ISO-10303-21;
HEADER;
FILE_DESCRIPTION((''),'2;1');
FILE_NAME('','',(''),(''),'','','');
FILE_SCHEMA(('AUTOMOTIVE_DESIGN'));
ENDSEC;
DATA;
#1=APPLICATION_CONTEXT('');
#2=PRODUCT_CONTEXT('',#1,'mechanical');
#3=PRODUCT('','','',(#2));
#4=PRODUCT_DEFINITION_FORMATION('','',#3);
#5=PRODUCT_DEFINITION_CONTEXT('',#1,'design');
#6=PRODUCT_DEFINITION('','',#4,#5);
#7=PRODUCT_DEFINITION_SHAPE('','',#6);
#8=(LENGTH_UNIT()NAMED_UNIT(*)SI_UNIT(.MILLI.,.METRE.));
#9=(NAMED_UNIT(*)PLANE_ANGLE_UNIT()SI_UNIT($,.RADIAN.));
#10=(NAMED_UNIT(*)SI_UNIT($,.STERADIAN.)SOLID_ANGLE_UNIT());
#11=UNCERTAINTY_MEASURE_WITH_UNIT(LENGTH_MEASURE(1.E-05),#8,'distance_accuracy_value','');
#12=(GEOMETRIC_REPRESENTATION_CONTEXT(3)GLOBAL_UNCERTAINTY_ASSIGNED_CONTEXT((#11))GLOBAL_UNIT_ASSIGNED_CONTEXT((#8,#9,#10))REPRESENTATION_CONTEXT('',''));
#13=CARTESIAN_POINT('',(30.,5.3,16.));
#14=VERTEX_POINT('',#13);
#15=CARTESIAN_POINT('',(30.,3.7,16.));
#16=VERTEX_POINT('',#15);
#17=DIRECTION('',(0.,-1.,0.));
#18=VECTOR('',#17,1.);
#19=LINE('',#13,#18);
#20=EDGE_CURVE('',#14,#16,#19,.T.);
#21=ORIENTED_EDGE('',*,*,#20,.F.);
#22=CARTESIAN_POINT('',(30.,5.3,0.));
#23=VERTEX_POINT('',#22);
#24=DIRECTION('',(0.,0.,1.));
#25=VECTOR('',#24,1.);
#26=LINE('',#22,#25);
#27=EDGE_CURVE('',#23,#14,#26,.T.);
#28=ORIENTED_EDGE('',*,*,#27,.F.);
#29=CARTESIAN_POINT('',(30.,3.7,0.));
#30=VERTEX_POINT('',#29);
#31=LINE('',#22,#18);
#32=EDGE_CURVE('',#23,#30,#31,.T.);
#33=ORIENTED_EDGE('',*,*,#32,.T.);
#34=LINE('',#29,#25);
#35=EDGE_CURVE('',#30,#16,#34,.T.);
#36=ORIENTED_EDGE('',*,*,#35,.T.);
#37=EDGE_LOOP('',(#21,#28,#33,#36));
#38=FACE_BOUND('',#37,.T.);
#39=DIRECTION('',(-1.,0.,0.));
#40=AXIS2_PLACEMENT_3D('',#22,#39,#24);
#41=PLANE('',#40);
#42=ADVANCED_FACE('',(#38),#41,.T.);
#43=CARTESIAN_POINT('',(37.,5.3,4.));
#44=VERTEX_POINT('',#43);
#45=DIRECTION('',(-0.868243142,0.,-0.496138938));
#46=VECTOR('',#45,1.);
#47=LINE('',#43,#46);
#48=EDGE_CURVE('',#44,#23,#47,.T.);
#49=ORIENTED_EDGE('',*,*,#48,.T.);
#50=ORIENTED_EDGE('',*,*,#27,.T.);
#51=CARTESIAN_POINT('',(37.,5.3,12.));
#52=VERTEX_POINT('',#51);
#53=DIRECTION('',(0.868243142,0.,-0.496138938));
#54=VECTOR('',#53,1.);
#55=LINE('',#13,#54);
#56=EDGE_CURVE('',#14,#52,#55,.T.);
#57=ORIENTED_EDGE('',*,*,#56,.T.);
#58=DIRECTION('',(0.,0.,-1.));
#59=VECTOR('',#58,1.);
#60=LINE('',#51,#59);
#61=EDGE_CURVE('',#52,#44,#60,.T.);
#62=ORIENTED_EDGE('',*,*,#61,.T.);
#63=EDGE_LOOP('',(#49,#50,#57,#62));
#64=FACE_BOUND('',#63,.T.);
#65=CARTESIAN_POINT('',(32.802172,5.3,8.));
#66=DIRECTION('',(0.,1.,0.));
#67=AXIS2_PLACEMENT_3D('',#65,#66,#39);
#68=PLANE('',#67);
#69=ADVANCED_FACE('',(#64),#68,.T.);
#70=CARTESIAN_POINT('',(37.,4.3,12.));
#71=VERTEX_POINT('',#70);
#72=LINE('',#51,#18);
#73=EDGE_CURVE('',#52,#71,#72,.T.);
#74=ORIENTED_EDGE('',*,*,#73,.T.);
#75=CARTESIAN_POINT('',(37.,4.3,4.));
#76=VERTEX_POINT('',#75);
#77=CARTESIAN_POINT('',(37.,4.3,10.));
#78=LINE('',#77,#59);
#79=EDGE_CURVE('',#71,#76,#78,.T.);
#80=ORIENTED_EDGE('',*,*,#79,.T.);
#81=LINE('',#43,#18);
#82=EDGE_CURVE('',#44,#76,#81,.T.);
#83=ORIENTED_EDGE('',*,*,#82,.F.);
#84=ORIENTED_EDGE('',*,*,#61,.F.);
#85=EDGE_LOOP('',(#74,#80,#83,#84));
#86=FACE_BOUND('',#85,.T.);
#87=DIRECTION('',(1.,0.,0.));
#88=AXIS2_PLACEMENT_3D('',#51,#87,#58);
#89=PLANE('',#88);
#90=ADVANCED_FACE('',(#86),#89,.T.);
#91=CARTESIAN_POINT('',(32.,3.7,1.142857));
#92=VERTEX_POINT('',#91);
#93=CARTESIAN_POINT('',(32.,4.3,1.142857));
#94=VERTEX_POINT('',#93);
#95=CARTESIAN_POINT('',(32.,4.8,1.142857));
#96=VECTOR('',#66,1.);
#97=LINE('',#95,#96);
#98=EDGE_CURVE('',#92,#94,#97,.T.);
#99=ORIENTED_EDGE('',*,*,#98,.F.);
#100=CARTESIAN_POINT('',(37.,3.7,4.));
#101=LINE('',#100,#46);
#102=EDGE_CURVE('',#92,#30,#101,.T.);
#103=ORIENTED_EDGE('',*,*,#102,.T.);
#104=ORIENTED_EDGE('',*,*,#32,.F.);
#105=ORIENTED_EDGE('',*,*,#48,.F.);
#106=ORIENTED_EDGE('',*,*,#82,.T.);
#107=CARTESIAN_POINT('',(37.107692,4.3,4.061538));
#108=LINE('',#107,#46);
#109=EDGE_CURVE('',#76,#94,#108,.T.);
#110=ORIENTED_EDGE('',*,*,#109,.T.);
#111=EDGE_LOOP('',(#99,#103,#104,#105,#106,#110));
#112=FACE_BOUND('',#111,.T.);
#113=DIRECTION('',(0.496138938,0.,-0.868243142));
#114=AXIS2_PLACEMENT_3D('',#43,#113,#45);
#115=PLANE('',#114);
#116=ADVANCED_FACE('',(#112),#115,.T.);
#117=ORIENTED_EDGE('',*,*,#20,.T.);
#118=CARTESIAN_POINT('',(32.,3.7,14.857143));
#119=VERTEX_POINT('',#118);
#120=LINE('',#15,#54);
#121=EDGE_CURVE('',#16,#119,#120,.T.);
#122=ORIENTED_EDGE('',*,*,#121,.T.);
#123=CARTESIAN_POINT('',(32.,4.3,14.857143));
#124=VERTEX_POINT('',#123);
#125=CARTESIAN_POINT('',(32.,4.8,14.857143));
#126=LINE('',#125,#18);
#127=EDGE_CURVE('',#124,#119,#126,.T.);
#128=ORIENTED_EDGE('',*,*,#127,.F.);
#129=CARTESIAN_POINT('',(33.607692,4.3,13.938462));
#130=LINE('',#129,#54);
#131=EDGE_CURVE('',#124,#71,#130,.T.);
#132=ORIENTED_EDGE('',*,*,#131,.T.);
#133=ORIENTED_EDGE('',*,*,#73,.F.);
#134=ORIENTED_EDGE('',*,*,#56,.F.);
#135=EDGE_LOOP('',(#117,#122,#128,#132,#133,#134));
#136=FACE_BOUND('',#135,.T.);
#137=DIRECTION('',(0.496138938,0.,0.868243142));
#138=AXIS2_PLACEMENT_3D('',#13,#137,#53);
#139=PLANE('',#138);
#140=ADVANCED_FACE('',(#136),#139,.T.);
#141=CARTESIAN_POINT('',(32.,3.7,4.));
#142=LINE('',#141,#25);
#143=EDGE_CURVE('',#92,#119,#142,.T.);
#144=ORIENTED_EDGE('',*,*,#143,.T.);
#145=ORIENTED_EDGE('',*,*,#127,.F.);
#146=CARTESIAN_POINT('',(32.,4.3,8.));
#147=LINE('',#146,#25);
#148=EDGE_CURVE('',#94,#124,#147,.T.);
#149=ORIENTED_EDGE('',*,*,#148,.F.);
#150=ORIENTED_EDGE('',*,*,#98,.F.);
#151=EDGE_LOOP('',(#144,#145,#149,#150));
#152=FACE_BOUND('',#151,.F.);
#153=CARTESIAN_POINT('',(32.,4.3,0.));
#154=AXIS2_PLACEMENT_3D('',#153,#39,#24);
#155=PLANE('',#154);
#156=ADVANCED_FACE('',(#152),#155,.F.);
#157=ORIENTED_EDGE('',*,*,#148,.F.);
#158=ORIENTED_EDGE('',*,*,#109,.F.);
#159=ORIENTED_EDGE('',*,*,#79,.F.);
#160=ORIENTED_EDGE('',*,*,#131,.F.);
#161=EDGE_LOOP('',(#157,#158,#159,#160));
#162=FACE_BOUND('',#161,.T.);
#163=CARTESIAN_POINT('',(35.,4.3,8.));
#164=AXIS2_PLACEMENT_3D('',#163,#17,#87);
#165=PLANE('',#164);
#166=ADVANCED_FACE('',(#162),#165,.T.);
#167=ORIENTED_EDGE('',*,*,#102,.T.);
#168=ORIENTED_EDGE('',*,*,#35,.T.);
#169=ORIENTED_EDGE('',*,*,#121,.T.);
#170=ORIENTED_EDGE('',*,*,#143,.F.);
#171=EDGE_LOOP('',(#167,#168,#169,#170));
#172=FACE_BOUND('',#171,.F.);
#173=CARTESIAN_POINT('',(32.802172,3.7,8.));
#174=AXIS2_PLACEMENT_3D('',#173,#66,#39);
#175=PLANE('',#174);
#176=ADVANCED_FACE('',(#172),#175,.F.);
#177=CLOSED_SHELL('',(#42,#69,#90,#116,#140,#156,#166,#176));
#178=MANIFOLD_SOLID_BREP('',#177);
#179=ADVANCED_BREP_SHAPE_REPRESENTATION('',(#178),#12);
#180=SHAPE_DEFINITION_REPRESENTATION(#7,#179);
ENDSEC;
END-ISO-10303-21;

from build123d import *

# Parameters (mm, degrees)
SKETCH055_W      = 6
SKETCH055_H      = 16
EXTRUDE052_DEPTH = 1.6
EXTRUDE057_DEPTH = 1.6


with BuildPart() as extrude052:
    # Sketch055 → Extrude052 (new body)
    with BuildSketch(Plane.XZ.offset(-4.3)):
        with Locations((35, 12)):
            Rectangle(SKETCH055_W, SKETCH055_H)
    extrude(amount=EXTRUDE052_DEPTH)


with BuildPart() as switch_protector001:
    # Sketch054 → Extrude057 (new body)
    with BuildSketch(Plane.XZ.offset(-5.3)):
        Polygon((37, 16), (37, 8), (30, 4), (30, 20), align=None)
    extrude(amount=EXTRUDE057_DEPTH)

    # Cut029: cut Extrude052
    add(extrude052.part, mode=Mode.SUBTRACT)


with BuildPart() as switch_protector001_1:
    # Cut029 placement: moved
    add(switch_protector001.part.moved(Location((0, 0, -4))))


solid = switch_protector001_1.part
